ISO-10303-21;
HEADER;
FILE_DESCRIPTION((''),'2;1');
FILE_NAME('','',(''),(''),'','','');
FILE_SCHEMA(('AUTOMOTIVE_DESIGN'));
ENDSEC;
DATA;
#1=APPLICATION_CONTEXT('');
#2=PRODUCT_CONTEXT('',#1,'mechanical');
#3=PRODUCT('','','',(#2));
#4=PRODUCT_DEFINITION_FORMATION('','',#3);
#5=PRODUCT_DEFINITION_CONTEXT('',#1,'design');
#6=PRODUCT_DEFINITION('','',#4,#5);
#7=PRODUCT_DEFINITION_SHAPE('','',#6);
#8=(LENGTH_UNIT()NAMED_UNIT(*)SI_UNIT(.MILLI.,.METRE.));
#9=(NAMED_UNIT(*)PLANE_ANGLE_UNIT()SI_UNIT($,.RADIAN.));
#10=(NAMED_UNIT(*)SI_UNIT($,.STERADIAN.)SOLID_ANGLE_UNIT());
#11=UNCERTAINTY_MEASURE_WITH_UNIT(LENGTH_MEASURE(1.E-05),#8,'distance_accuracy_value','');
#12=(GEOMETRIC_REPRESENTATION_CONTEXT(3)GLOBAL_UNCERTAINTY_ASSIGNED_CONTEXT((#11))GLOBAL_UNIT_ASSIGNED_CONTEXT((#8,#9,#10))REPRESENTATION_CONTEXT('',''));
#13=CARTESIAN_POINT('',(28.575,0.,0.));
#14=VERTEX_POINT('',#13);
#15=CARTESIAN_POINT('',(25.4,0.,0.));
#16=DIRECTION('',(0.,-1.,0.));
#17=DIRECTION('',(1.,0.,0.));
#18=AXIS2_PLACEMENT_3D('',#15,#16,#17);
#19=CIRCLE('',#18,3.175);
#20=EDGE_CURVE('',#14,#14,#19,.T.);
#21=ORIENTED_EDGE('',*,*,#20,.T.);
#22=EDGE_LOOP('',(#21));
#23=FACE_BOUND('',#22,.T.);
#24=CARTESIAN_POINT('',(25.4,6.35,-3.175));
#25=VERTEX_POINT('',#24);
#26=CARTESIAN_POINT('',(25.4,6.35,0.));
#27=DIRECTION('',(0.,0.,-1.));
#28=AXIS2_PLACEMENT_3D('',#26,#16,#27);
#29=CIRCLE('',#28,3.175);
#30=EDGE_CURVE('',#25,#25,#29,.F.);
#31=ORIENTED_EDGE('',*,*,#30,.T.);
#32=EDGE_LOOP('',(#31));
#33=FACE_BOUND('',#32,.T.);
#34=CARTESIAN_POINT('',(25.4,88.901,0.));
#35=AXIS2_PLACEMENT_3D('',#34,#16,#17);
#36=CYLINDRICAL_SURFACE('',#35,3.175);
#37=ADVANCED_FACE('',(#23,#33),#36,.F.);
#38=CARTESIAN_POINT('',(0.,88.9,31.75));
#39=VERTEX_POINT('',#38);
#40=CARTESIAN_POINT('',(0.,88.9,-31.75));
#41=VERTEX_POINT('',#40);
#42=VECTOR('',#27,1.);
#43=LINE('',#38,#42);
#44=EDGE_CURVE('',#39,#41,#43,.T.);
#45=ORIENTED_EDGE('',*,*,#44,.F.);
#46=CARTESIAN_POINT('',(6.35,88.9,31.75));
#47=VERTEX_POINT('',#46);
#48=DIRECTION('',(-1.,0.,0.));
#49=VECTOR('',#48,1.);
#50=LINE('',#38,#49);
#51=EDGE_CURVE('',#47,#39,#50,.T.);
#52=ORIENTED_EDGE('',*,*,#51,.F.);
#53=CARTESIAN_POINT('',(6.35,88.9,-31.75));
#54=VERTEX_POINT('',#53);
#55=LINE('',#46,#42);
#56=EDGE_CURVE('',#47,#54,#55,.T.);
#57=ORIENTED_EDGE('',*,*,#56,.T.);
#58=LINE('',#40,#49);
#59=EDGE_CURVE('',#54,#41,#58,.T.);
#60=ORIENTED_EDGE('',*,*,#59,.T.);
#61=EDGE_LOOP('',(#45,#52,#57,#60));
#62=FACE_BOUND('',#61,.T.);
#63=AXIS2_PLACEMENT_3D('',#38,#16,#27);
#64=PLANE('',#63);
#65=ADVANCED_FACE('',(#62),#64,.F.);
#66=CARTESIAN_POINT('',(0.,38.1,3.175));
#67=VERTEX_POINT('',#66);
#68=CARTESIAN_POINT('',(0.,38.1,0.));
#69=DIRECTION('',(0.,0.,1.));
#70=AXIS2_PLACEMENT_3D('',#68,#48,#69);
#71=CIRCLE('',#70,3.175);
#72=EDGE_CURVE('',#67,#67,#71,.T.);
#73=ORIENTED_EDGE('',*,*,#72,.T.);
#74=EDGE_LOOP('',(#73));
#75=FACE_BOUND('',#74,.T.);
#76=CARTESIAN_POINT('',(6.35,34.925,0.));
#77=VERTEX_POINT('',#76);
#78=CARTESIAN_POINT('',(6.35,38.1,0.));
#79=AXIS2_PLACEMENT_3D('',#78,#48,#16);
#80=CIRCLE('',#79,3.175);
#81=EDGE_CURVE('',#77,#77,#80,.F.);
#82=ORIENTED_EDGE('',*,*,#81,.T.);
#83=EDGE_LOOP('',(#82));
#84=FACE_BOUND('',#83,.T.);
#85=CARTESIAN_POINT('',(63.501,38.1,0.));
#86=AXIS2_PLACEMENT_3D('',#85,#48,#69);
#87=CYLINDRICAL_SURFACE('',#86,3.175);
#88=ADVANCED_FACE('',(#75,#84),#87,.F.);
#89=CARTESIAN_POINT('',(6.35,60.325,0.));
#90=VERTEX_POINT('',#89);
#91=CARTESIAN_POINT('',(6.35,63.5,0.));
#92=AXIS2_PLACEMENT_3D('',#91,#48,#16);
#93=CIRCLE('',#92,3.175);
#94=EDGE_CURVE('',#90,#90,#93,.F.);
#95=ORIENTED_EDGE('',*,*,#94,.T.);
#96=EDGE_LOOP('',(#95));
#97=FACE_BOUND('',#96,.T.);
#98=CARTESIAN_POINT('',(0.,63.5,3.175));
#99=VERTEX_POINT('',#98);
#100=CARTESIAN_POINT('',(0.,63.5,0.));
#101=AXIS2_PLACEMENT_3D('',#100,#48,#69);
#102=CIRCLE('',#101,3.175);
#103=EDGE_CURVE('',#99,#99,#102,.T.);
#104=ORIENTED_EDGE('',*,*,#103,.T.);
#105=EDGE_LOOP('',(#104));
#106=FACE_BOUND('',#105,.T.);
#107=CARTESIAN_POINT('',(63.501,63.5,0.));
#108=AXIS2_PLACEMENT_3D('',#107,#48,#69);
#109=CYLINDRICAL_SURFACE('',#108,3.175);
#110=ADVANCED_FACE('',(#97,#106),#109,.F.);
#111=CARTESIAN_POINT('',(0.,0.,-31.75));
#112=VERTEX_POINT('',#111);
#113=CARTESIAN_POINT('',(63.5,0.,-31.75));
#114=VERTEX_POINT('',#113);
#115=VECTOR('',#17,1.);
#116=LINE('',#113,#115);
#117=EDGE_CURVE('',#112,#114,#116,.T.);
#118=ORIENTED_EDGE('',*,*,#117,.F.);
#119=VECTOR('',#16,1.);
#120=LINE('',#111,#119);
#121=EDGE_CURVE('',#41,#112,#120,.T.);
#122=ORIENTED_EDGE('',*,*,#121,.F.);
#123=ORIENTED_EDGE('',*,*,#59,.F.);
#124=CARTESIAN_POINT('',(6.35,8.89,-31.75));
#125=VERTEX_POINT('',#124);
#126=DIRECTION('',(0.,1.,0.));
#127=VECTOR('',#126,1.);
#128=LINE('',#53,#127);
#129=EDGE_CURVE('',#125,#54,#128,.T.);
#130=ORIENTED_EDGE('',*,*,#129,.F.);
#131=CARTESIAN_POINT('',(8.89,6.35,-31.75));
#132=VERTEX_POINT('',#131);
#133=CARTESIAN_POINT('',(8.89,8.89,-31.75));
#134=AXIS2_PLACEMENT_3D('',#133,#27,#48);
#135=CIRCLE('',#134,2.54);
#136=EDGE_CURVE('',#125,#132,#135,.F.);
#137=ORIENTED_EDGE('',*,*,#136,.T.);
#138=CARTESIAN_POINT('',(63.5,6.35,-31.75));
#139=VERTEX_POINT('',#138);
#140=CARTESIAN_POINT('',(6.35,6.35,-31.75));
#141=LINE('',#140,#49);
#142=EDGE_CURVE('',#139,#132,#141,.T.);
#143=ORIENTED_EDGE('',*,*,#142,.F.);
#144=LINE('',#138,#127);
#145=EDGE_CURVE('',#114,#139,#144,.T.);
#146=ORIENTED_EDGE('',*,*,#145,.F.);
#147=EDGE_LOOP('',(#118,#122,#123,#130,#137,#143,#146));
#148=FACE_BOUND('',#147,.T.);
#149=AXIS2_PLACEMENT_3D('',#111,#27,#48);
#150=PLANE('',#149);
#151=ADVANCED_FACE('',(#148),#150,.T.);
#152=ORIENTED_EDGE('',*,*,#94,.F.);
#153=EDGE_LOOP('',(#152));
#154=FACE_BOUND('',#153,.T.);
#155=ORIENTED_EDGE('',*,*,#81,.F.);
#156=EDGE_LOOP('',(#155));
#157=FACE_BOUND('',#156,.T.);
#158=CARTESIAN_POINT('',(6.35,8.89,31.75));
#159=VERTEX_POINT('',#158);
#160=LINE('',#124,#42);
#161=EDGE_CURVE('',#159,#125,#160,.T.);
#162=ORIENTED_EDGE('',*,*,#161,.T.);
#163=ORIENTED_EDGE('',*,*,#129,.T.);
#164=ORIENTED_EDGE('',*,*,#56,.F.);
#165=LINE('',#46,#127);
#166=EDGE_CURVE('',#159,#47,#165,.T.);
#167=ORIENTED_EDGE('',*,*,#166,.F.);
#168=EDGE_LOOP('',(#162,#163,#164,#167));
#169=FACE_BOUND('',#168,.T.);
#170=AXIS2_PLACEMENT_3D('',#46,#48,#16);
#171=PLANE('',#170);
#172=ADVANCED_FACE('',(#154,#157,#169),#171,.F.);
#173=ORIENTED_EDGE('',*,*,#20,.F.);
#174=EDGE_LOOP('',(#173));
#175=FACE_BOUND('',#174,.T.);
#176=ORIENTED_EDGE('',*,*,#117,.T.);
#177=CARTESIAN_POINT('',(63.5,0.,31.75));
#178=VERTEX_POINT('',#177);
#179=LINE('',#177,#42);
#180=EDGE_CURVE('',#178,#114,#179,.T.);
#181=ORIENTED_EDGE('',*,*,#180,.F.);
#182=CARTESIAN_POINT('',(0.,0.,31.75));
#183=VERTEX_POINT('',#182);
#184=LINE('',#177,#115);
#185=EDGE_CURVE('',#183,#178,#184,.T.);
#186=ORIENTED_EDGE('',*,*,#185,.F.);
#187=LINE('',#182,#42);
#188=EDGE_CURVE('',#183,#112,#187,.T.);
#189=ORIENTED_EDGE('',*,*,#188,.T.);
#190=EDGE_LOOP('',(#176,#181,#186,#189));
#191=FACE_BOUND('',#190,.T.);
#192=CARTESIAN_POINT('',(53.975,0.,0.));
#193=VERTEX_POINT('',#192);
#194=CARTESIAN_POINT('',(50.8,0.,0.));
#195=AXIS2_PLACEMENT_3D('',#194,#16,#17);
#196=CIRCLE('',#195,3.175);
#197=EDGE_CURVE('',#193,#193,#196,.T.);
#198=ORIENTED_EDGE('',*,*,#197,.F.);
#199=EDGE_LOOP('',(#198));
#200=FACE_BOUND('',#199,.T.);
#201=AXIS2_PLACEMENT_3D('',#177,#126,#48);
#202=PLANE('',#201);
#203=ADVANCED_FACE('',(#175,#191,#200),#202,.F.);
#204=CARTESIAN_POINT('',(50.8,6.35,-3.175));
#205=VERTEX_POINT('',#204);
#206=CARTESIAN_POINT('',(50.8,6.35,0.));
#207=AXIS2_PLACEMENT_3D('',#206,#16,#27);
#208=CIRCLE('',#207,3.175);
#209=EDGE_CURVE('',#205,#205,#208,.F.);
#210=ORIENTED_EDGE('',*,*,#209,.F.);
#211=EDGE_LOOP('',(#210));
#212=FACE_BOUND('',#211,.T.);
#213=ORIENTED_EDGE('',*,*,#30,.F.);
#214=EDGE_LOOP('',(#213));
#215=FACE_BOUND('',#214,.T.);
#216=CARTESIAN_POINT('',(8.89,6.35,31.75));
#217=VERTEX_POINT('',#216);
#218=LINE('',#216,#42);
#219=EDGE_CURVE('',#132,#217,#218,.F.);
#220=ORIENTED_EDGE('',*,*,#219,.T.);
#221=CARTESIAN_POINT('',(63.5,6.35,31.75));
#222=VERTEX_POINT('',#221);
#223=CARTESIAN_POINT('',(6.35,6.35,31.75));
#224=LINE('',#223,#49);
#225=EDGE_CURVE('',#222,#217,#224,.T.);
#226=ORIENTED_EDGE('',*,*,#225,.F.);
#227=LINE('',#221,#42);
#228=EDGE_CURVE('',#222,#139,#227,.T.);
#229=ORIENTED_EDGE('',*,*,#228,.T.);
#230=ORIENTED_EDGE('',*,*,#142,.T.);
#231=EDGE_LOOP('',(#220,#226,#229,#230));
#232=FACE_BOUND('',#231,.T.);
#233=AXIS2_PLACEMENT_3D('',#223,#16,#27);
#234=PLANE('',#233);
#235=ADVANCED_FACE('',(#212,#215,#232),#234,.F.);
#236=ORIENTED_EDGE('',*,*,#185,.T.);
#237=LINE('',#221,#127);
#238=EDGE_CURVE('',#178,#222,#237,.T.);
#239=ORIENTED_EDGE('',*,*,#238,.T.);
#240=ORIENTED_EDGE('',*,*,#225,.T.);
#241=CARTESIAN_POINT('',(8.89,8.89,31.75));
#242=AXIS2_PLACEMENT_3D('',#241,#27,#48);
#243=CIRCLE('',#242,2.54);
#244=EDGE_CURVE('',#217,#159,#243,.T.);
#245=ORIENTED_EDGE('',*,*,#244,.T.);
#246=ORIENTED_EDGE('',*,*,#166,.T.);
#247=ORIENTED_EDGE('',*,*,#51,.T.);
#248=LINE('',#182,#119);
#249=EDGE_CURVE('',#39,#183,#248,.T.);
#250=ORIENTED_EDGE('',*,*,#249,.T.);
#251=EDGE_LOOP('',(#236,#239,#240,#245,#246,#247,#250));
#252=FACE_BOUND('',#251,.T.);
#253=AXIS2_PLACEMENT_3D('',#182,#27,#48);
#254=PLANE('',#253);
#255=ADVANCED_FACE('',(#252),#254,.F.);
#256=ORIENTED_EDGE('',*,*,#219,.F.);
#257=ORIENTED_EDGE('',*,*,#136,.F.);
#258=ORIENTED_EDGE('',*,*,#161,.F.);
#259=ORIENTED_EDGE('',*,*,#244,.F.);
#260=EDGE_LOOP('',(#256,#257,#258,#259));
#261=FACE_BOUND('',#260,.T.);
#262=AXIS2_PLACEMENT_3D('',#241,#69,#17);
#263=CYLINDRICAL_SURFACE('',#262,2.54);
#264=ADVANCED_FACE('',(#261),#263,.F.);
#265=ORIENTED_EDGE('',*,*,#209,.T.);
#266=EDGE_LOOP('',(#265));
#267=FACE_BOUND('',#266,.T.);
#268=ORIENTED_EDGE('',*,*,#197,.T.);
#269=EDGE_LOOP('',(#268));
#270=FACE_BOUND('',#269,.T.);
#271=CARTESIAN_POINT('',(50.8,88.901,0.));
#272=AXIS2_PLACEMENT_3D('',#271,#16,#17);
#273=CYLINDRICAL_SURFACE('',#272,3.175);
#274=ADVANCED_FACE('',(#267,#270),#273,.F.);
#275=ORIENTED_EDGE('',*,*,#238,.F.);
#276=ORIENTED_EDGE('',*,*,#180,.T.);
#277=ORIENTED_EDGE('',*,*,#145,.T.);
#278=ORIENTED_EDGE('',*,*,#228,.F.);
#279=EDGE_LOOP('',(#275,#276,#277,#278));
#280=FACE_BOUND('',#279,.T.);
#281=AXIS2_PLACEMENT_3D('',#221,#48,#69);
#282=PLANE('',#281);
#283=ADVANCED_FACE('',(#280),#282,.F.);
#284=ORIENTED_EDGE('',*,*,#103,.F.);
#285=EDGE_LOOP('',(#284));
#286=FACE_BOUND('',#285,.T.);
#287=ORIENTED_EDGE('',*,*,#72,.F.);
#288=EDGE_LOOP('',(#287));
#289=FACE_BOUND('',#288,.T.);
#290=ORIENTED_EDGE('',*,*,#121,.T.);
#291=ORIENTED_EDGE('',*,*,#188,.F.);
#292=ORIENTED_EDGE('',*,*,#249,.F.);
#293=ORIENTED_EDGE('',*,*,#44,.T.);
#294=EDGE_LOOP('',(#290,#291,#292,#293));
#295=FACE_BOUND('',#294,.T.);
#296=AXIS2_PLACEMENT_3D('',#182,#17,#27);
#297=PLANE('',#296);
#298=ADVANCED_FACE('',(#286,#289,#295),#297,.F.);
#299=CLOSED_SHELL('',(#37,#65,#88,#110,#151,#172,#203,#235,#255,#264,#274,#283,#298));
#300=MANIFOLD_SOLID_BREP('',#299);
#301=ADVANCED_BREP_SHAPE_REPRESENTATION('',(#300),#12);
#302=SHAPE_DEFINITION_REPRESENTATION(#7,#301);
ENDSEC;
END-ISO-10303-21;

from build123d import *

# Parameters (mm, degrees)
BOSS_EXTRUDE2_DEPTH = 31.75
CUT_EXTRUDE1_REACH  = 115.77
SKETCH2_R           = 3.175
CUT_EXTRUDE2_REACH  = 115.77
SKETCH3_R           = 3.175
FILLET2_R           = 2.54


with BuildPart() as part:
    # Sketch1 → Boss-Extrude2 (new, symmetric)
    with BuildSketch(Plane.XY):
        Polygon((0, 0), (0, 88.9), (6.35, 88.9), (6.35, 6.35), (63.5, 6.35), (63.5, 0), align=None)
    extrude(amount=BOSS_EXTRUDE2_DEPTH, both=True)

    # Sketch2 → Cut-Extrude1 (cut, up to next)
    with BuildSketch(Plane.ZY, mode=Mode.PRIVATE) as cut_extrude1_sk1:
        with Locations((0, 63.5)):
            Circle(SKETCH2_R)
    cut_extrude1_tool1 = extrude(cut_extrude1_sk1.sketch, amount=-CUT_EXTRUDE1_REACH, mode=Mode.PRIVATE) & part.part
    # Sketch2 → Cut-Extrude1 (cut, up to next)
    with BuildSketch(Plane.ZY, mode=Mode.PRIVATE) as cut_extrude1_sk2:
        with Locations((0, 38.1)):
            Circle(SKETCH2_R)
    cut_extrude1_tool2 = extrude(cut_extrude1_sk2.sketch, amount=-CUT_EXTRUDE1_REACH, mode=Mode.PRIVATE) & part.part
    add(cut_extrude1_tool1.solids().sort_by_distance((0, 63.5, 0))[0], mode=Mode.SUBTRACT)
    add(cut_extrude1_tool2.solids().sort_by_distance((0, 38.1, 0))[0], mode=Mode.SUBTRACT)

    # Sketch3 → Cut-Extrude2 (cut, up to next)
    with BuildSketch(Plane.XZ, mode=Mode.PRIVATE) as cut_extrude2_sk1:
        with Locations((25.4, 0)):
            Circle(SKETCH3_R)
    cut_extrude2_tool1 = extrude(cut_extrude2_sk1.sketch, amount=-CUT_EXTRUDE2_REACH, mode=Mode.PRIVATE) & part.part
    # Sketch3 → Cut-Extrude2 (cut, up to next)
    with BuildSketch(Plane.XZ, mode=Mode.PRIVATE) as cut_extrude2_sk2:
        with Locations((50.8, 0)):
            Circle(SKETCH3_R)
    cut_extrude2_tool2 = extrude(cut_extrude2_sk2.sketch, amount=-CUT_EXTRUDE2_REACH, mode=Mode.PRIVATE) & part.part
    add(cut_extrude2_tool1.solids().sort_by_distance((25.4, 0, 0))[0], mode=Mode.SUBTRACT)
    add(cut_extrude2_tool2.solids().sort_by_distance((50.8, 0, 0))[0], mode=Mode.SUBTRACT)

    # Fillet2
    fillet2_edges = [part.edges().sort_by_distance(p)[0] for p in [
        (6.35, 6.35, 0),
    ]]
    fillet(fillet2_edges, radius=FILLET2_R)


solid = part.part
